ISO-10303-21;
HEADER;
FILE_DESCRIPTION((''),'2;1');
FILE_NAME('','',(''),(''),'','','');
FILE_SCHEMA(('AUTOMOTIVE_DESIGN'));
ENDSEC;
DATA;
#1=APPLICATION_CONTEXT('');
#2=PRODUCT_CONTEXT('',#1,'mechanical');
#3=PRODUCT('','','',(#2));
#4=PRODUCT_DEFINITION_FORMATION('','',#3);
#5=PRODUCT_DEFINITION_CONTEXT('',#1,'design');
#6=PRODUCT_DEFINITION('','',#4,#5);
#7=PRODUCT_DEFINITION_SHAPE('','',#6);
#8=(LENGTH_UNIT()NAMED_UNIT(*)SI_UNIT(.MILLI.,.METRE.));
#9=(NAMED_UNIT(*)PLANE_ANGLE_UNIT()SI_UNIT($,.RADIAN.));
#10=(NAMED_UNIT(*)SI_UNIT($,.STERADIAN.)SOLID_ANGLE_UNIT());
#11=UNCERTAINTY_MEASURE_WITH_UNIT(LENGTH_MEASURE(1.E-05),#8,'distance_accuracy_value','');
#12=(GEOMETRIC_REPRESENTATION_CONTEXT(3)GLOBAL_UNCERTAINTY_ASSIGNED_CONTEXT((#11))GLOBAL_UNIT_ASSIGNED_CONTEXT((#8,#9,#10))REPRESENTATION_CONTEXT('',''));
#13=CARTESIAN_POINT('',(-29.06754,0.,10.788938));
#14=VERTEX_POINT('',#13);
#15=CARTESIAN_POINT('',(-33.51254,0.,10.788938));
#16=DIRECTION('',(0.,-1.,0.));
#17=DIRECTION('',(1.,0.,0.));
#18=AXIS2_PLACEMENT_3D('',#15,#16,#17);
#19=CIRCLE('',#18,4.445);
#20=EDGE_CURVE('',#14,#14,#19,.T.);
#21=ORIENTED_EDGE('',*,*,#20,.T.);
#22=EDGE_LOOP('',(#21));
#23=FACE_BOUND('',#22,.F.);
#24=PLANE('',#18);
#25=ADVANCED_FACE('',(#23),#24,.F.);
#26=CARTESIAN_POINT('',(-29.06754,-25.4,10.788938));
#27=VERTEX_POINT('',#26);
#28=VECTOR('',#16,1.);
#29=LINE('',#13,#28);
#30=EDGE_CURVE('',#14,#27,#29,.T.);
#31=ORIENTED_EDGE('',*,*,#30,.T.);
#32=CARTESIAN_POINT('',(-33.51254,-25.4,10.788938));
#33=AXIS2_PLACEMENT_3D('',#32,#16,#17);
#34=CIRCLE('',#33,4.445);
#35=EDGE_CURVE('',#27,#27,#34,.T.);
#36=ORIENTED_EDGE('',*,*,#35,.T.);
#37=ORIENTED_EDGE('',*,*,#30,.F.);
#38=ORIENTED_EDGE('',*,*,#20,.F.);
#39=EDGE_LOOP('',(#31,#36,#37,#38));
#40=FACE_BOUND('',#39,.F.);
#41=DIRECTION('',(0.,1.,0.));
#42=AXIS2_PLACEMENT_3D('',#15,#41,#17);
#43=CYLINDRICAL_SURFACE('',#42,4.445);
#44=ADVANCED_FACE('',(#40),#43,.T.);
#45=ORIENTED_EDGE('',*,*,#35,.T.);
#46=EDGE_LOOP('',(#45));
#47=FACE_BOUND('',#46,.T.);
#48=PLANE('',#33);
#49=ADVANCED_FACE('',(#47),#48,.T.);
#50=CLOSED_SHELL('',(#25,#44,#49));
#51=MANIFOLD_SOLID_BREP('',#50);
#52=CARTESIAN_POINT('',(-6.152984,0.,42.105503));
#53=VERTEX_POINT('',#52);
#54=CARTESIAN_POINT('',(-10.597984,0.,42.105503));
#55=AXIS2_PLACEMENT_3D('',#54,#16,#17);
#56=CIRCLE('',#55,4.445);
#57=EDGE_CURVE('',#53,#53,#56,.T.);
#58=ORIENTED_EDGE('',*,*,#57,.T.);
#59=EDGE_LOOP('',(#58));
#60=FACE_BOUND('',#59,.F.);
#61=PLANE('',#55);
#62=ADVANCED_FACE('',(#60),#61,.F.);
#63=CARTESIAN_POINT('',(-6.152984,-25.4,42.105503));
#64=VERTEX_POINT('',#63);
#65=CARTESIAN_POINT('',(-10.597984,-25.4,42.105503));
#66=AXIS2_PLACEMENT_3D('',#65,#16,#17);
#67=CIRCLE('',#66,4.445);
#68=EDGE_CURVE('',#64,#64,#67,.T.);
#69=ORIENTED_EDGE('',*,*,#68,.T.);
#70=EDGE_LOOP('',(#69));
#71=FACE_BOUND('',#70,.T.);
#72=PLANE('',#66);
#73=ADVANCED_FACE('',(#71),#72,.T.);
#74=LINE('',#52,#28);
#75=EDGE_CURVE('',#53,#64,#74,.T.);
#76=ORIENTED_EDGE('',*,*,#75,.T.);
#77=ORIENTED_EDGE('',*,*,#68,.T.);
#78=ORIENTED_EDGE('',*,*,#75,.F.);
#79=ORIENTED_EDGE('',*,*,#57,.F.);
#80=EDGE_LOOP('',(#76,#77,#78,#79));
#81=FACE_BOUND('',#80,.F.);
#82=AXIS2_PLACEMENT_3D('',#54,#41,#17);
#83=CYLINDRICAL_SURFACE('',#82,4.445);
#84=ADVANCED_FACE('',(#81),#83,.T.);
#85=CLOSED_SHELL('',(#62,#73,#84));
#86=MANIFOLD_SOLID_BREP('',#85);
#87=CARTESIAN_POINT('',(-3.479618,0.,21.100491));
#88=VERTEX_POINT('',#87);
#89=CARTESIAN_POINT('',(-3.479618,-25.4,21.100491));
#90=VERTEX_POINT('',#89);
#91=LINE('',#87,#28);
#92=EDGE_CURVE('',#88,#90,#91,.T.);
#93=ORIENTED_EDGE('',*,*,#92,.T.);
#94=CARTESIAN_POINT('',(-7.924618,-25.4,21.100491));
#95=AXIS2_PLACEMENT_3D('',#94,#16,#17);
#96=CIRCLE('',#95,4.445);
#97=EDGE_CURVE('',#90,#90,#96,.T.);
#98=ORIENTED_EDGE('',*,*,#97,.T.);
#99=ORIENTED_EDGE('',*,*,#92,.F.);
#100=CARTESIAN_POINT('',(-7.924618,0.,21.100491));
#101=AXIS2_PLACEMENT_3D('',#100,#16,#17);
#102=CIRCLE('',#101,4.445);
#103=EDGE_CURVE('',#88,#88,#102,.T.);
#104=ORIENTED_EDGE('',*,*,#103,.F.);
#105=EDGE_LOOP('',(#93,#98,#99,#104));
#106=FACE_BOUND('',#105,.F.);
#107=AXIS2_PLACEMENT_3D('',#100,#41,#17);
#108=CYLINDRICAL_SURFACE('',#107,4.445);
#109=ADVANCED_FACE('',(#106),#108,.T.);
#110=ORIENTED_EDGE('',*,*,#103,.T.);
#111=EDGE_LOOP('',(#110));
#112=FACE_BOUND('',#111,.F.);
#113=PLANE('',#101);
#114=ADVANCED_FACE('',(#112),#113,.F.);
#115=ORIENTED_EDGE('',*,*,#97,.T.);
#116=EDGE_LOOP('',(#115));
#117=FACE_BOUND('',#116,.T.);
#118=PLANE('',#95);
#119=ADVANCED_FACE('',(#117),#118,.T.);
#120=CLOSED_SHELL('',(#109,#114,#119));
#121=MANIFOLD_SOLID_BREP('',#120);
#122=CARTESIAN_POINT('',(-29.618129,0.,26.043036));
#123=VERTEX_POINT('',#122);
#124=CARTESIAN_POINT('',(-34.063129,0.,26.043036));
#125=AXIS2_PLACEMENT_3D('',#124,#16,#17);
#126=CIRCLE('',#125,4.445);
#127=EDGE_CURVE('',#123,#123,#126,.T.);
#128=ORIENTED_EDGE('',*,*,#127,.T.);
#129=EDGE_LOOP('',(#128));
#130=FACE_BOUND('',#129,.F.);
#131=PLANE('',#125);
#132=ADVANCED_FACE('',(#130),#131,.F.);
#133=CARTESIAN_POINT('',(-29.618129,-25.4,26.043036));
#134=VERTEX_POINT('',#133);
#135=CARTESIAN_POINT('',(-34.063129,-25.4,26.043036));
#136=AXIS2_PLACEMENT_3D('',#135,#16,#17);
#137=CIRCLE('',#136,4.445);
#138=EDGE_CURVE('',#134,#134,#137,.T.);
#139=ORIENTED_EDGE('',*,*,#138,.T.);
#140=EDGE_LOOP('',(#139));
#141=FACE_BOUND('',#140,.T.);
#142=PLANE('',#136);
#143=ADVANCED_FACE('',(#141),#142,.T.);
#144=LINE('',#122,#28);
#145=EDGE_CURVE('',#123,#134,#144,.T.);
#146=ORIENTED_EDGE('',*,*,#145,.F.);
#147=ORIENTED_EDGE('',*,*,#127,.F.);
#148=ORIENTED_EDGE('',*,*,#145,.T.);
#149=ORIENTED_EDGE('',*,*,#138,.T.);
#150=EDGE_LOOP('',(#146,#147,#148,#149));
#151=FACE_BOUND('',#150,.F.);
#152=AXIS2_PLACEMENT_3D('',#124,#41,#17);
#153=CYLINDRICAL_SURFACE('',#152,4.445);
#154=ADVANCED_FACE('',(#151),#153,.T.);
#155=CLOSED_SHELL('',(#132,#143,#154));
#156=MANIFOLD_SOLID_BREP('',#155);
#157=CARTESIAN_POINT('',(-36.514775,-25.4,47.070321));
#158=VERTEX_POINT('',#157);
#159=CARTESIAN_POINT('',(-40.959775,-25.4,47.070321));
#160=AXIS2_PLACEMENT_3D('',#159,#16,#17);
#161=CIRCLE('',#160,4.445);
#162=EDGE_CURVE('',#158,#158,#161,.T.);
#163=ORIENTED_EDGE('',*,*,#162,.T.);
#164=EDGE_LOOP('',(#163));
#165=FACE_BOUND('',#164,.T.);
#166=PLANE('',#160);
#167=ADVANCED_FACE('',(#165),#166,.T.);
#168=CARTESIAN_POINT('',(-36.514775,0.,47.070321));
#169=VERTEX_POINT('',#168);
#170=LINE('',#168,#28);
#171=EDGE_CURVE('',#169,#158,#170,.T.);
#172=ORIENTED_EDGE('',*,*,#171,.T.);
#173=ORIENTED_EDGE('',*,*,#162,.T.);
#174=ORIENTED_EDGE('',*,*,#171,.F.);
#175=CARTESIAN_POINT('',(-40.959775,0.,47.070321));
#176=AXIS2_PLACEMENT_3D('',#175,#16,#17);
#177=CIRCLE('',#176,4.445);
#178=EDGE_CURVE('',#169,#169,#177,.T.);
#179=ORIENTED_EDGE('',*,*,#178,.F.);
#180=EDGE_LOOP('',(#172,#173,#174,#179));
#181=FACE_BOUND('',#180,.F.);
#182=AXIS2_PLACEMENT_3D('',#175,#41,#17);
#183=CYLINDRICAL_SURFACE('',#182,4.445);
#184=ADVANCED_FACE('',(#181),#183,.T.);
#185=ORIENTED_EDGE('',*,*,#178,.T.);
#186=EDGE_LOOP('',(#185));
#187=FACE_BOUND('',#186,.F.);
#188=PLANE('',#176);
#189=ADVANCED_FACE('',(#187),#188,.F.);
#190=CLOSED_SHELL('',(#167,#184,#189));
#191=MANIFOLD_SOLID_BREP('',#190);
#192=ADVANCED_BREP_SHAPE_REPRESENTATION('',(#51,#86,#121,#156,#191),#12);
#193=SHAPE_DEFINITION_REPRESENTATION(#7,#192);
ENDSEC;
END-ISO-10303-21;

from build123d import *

# Parameters (mm, degrees)
F0_R     = 4.445
F1_DEPTH = 25.4


with BuildPart() as f1:
    # F0 (on Front) → F1 (new body)
    with BuildSketch(Plane.XZ):
        with Locations((-34.063129, 26.043036)):
            Circle(F0_R)
        with Locations((-33.51254, 10.788938)):
            Circle(F0_R)
        with Locations((-10.597984, 42.105503)):
            Circle(F0_R)
        with Locations((-40.959775, 47.070321)):
            Circle(F0_R)
        with Locations((-7.924618, 21.100491)):
            Circle(F0_R)
    extrude(amount=F1_DEPTH)


solid = f1.part
